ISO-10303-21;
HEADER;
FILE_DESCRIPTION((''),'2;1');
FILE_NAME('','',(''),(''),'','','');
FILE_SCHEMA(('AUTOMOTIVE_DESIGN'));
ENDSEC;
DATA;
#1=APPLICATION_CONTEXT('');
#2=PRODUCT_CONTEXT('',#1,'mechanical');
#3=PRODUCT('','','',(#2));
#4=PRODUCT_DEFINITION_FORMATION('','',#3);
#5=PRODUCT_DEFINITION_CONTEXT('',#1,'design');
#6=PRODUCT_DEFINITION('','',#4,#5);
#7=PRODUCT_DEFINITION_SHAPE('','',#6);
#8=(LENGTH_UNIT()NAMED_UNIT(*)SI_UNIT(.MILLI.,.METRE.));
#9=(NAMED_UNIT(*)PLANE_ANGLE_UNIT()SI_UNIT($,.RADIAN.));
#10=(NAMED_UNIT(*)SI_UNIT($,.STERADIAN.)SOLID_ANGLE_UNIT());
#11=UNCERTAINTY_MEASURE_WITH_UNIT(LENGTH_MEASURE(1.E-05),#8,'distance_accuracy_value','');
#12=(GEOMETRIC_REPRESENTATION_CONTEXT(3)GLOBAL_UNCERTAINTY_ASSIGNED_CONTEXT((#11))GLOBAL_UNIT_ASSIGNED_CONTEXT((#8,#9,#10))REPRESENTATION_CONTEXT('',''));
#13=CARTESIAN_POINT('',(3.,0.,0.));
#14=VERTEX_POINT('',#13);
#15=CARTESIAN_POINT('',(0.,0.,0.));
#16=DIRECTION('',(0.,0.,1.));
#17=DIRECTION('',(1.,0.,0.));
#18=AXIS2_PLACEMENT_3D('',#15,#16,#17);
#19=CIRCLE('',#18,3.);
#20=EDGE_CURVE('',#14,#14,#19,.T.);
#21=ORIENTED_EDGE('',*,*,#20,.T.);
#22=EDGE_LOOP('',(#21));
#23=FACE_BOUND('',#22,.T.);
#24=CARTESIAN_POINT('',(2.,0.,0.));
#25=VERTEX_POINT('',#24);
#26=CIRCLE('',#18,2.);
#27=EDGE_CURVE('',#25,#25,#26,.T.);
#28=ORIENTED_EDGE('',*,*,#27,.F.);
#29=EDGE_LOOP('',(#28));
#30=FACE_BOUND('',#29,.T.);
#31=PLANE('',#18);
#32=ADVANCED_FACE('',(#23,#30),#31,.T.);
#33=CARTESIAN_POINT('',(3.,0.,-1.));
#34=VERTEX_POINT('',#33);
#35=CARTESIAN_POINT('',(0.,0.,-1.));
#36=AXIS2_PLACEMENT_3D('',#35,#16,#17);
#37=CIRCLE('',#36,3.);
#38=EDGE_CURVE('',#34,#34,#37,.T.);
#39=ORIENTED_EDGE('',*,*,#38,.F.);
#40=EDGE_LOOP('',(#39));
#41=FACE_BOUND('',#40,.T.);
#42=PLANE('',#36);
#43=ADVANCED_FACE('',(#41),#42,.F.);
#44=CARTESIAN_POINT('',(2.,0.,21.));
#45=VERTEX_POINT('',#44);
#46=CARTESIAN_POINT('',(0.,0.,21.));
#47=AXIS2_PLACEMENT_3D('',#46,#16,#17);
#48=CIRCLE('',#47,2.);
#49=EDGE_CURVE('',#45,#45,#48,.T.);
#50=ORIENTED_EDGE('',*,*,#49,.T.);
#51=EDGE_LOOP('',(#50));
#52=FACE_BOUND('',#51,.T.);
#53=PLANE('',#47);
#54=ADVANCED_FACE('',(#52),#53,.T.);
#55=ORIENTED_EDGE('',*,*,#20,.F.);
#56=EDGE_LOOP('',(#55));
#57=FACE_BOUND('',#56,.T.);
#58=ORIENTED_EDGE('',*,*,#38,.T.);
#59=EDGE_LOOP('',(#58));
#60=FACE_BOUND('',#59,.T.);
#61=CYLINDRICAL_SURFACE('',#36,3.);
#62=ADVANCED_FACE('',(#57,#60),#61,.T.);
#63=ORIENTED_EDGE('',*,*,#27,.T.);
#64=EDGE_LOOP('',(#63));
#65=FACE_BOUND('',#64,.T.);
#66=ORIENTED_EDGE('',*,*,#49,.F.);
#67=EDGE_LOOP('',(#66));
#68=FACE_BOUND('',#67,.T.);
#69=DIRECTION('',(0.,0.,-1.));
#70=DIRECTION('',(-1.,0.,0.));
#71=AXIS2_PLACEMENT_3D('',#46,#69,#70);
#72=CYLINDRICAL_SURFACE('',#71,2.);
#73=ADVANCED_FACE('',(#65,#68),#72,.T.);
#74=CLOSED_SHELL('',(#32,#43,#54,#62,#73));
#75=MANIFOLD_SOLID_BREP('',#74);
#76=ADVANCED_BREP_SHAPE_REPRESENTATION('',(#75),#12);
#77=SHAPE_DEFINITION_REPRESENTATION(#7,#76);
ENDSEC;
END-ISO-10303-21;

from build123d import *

# Parameters (mm, degrees)
ESQUISSE1_R        = 2
BOSS_EXTRU_1_DEPTH = 21
ESQUISSE1_3_R      = 3
BOSS_EXTRU_2_DEPTH = 1


with BuildPart() as part:
    # Esquisse1 → Boss.-Extru.1 (new body)
    with BuildSketch(Plane.XY):
        Circle(ESQUISSE1_R)
    extrude(amount=BOSS_EXTRU_1_DEPTH)

    # Esquisse1<3> → Boss.-Extru.2 (add)
    with BuildSketch(Plane.XY):
        Circle(ESQUISSE1_3_R)
    extrude(amount=-BOSS_EXTRU_2_DEPTH)


solid = part.part
